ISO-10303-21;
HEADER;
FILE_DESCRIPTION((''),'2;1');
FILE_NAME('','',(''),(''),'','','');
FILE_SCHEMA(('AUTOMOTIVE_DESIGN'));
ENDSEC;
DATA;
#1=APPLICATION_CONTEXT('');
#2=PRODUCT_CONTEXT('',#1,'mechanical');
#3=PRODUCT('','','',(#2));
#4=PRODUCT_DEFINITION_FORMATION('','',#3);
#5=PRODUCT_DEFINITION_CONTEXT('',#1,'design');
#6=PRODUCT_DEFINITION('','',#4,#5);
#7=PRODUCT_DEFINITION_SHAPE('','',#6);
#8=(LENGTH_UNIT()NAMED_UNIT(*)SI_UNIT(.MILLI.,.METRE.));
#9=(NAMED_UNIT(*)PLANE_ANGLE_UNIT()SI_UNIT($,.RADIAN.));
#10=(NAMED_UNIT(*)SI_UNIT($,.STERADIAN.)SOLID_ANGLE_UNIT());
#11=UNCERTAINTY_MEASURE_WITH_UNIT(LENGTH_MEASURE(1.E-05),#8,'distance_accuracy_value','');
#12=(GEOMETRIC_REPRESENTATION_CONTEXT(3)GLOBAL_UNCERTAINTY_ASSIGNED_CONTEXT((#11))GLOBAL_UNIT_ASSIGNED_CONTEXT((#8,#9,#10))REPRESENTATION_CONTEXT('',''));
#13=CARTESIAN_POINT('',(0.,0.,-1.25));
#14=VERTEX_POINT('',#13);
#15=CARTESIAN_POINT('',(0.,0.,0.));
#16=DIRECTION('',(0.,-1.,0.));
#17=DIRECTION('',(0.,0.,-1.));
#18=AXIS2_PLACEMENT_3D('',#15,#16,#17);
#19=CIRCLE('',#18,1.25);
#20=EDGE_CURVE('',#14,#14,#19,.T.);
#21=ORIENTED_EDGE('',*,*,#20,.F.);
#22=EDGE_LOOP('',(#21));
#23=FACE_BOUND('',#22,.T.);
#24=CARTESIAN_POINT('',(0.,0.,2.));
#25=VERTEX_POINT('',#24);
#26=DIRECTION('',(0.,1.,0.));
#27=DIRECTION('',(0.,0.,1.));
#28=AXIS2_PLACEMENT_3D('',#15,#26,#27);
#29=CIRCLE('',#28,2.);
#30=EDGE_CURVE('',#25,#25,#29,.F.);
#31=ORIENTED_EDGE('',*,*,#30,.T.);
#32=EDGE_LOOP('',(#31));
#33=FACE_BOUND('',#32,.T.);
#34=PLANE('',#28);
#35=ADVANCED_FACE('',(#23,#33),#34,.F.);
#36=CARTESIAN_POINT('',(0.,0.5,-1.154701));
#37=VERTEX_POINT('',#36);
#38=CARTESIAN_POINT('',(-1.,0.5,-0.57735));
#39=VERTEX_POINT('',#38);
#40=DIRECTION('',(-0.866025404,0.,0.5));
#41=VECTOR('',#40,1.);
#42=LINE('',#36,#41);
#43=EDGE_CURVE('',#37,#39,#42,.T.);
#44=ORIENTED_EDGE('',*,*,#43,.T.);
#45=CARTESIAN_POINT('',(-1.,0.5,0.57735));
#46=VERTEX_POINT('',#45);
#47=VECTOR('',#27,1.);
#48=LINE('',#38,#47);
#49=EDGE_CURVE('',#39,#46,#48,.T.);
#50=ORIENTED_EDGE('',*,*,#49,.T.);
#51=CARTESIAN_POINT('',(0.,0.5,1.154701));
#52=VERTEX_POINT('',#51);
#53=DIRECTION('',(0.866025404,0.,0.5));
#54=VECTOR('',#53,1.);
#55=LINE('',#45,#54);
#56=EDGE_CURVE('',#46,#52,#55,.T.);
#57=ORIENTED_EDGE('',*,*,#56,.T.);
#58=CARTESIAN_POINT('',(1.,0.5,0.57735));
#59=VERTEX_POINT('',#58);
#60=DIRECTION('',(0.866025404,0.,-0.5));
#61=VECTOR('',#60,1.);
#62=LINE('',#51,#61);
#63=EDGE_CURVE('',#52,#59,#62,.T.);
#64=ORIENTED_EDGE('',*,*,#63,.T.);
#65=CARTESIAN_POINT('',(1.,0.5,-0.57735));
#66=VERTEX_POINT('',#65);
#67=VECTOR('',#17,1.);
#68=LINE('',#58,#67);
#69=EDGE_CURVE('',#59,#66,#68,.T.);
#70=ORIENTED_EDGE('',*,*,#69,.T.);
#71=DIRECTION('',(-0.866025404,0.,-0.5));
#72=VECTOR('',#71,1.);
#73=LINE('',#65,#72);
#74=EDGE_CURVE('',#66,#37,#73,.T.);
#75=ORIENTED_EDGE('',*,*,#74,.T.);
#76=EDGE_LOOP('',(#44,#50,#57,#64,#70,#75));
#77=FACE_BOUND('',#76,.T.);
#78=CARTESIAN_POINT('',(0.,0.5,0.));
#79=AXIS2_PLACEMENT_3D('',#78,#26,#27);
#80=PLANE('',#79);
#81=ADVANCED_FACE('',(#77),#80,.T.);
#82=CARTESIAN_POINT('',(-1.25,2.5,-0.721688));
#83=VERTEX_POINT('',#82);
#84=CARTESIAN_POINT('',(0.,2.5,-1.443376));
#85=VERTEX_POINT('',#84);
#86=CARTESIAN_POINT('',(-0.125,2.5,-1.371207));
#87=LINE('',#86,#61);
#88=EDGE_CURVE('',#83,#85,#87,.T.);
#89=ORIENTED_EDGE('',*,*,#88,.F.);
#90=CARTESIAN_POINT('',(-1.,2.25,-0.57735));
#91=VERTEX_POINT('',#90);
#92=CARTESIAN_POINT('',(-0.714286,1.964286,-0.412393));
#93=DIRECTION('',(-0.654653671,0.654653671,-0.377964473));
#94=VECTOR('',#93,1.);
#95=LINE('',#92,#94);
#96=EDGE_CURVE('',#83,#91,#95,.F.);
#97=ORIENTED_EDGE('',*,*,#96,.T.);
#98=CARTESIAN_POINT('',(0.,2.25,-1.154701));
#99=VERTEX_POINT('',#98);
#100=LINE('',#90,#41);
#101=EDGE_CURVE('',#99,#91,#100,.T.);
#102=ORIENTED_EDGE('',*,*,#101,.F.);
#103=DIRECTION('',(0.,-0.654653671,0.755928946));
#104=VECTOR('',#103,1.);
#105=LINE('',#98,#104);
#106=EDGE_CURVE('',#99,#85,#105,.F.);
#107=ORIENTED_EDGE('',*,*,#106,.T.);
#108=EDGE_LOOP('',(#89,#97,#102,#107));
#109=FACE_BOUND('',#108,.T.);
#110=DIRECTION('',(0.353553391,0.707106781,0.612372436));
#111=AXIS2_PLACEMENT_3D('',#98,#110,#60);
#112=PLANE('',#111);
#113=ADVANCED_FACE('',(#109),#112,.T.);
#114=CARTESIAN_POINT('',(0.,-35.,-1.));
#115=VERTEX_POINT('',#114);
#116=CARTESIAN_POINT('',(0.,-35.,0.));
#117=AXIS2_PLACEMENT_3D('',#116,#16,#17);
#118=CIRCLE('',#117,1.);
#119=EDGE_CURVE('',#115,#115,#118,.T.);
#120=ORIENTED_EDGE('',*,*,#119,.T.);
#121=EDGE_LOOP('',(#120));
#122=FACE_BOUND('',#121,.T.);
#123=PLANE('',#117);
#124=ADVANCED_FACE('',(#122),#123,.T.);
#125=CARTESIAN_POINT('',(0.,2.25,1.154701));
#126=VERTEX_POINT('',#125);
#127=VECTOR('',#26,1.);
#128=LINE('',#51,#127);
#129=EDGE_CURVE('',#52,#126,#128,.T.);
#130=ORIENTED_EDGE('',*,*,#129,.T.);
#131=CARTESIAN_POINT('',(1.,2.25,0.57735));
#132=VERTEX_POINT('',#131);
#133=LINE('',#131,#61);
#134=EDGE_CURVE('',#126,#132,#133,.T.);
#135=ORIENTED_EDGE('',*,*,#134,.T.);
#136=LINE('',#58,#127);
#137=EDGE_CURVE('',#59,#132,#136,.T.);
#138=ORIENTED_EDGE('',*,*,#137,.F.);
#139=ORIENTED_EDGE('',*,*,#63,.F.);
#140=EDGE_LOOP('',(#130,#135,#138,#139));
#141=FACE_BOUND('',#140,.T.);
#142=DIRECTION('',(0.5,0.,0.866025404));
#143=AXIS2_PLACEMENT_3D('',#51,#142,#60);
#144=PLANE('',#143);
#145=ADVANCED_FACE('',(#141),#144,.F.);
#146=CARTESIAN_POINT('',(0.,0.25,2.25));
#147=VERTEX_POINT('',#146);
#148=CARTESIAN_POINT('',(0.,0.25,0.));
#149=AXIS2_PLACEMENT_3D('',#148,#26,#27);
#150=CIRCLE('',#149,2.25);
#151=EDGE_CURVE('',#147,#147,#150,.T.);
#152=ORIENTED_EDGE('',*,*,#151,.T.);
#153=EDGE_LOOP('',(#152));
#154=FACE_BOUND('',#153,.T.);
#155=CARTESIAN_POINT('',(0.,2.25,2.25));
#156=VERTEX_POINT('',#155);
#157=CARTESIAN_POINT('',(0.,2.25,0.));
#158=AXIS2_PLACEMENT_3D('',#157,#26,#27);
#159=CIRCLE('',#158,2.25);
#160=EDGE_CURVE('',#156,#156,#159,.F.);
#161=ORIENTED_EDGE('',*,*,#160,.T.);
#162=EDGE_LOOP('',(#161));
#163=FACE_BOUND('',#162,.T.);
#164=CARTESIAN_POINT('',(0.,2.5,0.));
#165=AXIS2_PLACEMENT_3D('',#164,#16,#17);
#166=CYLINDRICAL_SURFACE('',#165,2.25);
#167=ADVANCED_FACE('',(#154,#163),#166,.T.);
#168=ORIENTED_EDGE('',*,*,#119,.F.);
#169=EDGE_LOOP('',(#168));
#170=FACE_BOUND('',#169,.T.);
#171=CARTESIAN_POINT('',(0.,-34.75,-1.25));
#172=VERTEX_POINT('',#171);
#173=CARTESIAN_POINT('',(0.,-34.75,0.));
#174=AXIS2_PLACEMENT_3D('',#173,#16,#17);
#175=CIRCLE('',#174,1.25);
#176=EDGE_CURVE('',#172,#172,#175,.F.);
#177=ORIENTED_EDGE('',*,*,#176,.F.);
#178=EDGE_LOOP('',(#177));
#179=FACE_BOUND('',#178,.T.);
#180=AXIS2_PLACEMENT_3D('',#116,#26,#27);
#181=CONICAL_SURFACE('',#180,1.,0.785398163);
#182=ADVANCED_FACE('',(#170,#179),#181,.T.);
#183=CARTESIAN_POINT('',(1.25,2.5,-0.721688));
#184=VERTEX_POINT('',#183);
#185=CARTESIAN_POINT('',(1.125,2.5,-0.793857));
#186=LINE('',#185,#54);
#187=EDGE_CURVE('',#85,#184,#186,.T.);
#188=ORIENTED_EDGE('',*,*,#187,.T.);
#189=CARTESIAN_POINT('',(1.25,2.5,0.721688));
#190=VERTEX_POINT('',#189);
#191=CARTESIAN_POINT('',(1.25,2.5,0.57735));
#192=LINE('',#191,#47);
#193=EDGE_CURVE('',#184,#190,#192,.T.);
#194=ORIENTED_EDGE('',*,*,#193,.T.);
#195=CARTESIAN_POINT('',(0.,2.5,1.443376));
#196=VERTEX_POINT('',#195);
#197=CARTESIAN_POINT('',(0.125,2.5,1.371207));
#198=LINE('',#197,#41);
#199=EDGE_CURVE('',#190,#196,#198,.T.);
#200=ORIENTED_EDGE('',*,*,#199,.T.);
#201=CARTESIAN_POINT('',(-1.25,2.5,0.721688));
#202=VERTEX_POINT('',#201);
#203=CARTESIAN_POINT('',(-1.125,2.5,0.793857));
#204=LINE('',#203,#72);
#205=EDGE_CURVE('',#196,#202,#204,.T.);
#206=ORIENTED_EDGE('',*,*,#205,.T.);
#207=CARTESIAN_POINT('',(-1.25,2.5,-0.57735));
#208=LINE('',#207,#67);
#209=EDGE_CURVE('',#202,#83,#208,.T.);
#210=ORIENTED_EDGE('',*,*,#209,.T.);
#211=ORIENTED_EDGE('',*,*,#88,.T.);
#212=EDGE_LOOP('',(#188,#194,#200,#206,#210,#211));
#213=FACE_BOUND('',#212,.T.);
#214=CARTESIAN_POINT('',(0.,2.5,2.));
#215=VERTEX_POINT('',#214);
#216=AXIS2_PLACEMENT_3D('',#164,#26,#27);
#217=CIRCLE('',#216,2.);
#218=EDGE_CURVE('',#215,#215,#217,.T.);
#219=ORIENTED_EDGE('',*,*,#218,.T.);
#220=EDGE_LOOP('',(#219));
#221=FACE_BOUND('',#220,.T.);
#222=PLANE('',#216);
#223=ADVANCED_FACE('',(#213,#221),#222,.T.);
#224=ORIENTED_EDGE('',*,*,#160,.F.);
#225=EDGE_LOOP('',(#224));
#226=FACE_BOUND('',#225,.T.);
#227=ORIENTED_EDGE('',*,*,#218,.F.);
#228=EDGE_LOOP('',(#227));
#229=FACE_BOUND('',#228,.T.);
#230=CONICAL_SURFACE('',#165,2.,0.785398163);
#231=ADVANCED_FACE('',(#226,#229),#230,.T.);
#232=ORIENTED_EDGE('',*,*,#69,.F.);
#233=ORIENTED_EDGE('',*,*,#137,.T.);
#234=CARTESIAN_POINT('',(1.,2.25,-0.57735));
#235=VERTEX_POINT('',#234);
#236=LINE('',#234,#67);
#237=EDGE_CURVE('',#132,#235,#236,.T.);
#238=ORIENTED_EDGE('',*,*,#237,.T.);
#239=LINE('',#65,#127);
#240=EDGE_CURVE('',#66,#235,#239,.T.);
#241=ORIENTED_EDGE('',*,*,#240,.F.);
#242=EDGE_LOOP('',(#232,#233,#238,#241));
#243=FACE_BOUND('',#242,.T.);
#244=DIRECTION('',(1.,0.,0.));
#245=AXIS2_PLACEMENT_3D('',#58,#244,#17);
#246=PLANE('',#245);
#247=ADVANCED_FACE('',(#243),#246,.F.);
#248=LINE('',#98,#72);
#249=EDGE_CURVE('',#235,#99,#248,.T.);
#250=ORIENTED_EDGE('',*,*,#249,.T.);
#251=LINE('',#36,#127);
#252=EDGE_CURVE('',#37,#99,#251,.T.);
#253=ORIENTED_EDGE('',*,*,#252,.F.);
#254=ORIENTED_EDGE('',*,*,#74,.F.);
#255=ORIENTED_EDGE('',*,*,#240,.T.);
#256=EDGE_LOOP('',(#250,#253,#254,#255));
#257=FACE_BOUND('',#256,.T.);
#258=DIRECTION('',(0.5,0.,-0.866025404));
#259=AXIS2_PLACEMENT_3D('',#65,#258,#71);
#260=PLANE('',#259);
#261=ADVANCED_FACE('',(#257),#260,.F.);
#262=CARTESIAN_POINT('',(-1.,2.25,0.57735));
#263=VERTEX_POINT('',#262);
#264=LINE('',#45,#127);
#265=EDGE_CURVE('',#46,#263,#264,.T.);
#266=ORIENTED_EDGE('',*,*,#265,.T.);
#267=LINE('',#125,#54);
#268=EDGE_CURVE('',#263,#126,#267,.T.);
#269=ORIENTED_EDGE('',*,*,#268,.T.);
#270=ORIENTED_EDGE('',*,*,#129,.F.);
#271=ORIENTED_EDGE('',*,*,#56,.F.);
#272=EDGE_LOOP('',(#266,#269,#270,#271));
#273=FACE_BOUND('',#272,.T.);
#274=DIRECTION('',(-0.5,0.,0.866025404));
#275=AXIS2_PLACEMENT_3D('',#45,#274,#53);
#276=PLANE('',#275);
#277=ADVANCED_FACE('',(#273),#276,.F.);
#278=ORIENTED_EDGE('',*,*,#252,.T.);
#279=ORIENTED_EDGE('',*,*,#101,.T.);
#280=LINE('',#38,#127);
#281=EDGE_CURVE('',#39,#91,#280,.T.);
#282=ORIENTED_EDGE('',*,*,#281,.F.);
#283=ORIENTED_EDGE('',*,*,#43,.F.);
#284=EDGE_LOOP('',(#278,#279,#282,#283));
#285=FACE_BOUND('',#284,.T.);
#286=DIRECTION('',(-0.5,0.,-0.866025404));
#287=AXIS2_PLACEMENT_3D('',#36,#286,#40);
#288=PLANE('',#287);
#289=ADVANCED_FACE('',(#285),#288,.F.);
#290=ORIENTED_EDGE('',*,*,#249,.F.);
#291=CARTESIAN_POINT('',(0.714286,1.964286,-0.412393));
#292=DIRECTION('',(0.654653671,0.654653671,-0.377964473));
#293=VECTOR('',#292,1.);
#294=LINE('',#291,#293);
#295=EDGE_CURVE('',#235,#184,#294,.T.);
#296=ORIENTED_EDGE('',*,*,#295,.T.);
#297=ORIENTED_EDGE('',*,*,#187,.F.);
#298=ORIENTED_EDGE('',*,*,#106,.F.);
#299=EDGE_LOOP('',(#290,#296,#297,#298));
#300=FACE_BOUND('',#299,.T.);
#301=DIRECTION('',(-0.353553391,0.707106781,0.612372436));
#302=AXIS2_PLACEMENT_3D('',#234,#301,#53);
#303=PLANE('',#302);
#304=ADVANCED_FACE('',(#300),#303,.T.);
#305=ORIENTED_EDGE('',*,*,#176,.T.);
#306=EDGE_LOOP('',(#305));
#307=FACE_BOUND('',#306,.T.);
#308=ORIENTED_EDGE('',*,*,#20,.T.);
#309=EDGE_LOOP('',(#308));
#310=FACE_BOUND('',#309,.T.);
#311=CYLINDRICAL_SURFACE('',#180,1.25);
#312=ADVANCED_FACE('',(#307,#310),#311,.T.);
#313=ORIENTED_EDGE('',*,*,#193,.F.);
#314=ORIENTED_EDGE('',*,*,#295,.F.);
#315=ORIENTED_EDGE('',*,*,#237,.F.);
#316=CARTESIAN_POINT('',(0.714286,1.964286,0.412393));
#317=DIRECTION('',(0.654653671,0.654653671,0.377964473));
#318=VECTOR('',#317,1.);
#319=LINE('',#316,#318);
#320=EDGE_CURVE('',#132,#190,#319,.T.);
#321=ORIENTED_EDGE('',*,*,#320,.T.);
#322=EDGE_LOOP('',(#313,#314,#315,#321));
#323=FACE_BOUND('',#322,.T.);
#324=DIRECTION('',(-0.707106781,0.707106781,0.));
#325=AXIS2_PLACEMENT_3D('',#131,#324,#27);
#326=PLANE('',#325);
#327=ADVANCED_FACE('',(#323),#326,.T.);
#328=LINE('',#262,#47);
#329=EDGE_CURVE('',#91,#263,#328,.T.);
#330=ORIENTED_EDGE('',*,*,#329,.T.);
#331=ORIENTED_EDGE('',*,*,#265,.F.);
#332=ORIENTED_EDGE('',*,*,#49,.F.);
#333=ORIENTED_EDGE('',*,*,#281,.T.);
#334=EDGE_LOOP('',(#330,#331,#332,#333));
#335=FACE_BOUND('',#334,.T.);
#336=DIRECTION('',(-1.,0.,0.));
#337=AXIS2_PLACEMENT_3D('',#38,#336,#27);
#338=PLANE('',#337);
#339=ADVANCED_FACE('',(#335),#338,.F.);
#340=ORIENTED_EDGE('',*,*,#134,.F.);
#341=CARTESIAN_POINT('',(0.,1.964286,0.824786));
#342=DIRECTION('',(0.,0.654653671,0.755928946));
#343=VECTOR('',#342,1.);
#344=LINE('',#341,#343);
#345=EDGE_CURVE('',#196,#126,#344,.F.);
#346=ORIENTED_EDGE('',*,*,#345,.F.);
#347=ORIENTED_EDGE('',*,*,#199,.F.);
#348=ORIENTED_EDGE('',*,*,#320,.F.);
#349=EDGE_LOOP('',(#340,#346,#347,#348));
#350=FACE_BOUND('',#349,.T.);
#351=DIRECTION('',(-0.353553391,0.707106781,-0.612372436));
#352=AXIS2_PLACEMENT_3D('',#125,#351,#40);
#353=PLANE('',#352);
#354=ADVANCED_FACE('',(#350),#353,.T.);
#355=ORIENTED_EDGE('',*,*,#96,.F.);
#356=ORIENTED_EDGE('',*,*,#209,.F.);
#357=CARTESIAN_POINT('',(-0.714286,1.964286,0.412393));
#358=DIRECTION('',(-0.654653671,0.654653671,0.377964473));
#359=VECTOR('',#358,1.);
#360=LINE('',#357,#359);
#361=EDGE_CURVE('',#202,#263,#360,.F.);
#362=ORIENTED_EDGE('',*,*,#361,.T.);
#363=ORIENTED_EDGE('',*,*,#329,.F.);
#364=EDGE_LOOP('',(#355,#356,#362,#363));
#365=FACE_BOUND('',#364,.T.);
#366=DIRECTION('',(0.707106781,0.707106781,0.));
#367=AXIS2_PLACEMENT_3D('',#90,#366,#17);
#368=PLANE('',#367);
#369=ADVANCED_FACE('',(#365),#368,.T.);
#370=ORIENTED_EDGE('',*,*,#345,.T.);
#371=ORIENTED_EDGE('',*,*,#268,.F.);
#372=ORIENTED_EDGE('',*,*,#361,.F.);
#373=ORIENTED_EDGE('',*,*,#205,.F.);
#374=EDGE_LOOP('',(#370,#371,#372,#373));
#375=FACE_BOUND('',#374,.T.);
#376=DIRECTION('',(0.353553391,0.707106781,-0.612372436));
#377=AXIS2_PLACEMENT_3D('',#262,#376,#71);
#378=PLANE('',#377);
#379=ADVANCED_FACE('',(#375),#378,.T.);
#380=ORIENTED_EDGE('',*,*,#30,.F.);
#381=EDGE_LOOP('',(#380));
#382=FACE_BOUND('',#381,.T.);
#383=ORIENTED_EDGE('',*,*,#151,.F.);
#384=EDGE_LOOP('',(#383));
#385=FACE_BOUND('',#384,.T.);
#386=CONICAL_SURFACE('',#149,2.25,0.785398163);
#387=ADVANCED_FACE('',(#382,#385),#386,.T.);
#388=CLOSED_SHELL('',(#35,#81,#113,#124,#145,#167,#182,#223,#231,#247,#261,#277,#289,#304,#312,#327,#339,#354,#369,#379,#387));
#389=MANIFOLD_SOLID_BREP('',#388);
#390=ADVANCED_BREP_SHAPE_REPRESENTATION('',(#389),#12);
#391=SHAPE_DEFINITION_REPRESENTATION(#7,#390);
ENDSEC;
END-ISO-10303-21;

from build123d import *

# Parameters (mm, degrees)
SKETCH_1_R          = 2.25
EXTRUDE_1_DEPTH     = 2.5
CUT_EXTRUDE_1_DEPTH = 2
SKETCH_3_R          = 1.25
EXTRUDE_2_DEPTH     = 35
CHAMFER_1_SIZE      = 0.25


with BuildPart() as part:
    # 草图1 → 凸台-拉伸1 (new body)
    with BuildSketch(Plane(origin=(0, 0, 0), x_dir=(1, 0, 0), z_dir=(0, 1, 0))):
        with Locations(Location((0, 0, 0), (0, 0, 270))):
            Circle(SKETCH_1_R)
    extrude(amount=EXTRUDE_1_DEPTH)

    # 草图2 → 切除-拉伸1 (cut)
    with BuildSketch(Plane(origin=(0, 2.5, 0), x_dir=(1, 0, 0), z_dir=(0, 1, 0))):
        Polygon((0, 1.154700538), (-1, 0.577350269), (-1, -0.577350269), (0, -1.154700538), (1, -0.577350269), (1, 0.577350269), align=None)
    extrude(amount=-CUT_EXTRUDE_1_DEPTH, mode=Mode.SUBTRACT)

    # 草图3 → 凸台-拉伸2 (add)
    with BuildSketch(Plane.XZ):
        with Locations(Location((0, 0, 0), (0, 0, 270))):
            Circle(SKETCH_3_R)
    extrude(amount=EXTRUDE_2_DEPTH)

    # 倒角1
    chamfer_1_edges = [part.edges().sort_by_distance(p)[0] for p in [
        (0.5, 2.5, -0.866025404),
        (-0.5, 2.5, -0.866025404),
        (-1, 2.5, 0),
        (-0.5, 2.5, 0.866025404),
        (0.5, 2.5, 0.866025404),
        (1, 2.5, 0),
        (0, 0, -2.25),
        (0, -35, 1.25),
        (0, 2.5, -2.25),
    ]]
    chamfer(chamfer_1_edges, length=CHAMFER_1_SIZE)


solid = part.part
